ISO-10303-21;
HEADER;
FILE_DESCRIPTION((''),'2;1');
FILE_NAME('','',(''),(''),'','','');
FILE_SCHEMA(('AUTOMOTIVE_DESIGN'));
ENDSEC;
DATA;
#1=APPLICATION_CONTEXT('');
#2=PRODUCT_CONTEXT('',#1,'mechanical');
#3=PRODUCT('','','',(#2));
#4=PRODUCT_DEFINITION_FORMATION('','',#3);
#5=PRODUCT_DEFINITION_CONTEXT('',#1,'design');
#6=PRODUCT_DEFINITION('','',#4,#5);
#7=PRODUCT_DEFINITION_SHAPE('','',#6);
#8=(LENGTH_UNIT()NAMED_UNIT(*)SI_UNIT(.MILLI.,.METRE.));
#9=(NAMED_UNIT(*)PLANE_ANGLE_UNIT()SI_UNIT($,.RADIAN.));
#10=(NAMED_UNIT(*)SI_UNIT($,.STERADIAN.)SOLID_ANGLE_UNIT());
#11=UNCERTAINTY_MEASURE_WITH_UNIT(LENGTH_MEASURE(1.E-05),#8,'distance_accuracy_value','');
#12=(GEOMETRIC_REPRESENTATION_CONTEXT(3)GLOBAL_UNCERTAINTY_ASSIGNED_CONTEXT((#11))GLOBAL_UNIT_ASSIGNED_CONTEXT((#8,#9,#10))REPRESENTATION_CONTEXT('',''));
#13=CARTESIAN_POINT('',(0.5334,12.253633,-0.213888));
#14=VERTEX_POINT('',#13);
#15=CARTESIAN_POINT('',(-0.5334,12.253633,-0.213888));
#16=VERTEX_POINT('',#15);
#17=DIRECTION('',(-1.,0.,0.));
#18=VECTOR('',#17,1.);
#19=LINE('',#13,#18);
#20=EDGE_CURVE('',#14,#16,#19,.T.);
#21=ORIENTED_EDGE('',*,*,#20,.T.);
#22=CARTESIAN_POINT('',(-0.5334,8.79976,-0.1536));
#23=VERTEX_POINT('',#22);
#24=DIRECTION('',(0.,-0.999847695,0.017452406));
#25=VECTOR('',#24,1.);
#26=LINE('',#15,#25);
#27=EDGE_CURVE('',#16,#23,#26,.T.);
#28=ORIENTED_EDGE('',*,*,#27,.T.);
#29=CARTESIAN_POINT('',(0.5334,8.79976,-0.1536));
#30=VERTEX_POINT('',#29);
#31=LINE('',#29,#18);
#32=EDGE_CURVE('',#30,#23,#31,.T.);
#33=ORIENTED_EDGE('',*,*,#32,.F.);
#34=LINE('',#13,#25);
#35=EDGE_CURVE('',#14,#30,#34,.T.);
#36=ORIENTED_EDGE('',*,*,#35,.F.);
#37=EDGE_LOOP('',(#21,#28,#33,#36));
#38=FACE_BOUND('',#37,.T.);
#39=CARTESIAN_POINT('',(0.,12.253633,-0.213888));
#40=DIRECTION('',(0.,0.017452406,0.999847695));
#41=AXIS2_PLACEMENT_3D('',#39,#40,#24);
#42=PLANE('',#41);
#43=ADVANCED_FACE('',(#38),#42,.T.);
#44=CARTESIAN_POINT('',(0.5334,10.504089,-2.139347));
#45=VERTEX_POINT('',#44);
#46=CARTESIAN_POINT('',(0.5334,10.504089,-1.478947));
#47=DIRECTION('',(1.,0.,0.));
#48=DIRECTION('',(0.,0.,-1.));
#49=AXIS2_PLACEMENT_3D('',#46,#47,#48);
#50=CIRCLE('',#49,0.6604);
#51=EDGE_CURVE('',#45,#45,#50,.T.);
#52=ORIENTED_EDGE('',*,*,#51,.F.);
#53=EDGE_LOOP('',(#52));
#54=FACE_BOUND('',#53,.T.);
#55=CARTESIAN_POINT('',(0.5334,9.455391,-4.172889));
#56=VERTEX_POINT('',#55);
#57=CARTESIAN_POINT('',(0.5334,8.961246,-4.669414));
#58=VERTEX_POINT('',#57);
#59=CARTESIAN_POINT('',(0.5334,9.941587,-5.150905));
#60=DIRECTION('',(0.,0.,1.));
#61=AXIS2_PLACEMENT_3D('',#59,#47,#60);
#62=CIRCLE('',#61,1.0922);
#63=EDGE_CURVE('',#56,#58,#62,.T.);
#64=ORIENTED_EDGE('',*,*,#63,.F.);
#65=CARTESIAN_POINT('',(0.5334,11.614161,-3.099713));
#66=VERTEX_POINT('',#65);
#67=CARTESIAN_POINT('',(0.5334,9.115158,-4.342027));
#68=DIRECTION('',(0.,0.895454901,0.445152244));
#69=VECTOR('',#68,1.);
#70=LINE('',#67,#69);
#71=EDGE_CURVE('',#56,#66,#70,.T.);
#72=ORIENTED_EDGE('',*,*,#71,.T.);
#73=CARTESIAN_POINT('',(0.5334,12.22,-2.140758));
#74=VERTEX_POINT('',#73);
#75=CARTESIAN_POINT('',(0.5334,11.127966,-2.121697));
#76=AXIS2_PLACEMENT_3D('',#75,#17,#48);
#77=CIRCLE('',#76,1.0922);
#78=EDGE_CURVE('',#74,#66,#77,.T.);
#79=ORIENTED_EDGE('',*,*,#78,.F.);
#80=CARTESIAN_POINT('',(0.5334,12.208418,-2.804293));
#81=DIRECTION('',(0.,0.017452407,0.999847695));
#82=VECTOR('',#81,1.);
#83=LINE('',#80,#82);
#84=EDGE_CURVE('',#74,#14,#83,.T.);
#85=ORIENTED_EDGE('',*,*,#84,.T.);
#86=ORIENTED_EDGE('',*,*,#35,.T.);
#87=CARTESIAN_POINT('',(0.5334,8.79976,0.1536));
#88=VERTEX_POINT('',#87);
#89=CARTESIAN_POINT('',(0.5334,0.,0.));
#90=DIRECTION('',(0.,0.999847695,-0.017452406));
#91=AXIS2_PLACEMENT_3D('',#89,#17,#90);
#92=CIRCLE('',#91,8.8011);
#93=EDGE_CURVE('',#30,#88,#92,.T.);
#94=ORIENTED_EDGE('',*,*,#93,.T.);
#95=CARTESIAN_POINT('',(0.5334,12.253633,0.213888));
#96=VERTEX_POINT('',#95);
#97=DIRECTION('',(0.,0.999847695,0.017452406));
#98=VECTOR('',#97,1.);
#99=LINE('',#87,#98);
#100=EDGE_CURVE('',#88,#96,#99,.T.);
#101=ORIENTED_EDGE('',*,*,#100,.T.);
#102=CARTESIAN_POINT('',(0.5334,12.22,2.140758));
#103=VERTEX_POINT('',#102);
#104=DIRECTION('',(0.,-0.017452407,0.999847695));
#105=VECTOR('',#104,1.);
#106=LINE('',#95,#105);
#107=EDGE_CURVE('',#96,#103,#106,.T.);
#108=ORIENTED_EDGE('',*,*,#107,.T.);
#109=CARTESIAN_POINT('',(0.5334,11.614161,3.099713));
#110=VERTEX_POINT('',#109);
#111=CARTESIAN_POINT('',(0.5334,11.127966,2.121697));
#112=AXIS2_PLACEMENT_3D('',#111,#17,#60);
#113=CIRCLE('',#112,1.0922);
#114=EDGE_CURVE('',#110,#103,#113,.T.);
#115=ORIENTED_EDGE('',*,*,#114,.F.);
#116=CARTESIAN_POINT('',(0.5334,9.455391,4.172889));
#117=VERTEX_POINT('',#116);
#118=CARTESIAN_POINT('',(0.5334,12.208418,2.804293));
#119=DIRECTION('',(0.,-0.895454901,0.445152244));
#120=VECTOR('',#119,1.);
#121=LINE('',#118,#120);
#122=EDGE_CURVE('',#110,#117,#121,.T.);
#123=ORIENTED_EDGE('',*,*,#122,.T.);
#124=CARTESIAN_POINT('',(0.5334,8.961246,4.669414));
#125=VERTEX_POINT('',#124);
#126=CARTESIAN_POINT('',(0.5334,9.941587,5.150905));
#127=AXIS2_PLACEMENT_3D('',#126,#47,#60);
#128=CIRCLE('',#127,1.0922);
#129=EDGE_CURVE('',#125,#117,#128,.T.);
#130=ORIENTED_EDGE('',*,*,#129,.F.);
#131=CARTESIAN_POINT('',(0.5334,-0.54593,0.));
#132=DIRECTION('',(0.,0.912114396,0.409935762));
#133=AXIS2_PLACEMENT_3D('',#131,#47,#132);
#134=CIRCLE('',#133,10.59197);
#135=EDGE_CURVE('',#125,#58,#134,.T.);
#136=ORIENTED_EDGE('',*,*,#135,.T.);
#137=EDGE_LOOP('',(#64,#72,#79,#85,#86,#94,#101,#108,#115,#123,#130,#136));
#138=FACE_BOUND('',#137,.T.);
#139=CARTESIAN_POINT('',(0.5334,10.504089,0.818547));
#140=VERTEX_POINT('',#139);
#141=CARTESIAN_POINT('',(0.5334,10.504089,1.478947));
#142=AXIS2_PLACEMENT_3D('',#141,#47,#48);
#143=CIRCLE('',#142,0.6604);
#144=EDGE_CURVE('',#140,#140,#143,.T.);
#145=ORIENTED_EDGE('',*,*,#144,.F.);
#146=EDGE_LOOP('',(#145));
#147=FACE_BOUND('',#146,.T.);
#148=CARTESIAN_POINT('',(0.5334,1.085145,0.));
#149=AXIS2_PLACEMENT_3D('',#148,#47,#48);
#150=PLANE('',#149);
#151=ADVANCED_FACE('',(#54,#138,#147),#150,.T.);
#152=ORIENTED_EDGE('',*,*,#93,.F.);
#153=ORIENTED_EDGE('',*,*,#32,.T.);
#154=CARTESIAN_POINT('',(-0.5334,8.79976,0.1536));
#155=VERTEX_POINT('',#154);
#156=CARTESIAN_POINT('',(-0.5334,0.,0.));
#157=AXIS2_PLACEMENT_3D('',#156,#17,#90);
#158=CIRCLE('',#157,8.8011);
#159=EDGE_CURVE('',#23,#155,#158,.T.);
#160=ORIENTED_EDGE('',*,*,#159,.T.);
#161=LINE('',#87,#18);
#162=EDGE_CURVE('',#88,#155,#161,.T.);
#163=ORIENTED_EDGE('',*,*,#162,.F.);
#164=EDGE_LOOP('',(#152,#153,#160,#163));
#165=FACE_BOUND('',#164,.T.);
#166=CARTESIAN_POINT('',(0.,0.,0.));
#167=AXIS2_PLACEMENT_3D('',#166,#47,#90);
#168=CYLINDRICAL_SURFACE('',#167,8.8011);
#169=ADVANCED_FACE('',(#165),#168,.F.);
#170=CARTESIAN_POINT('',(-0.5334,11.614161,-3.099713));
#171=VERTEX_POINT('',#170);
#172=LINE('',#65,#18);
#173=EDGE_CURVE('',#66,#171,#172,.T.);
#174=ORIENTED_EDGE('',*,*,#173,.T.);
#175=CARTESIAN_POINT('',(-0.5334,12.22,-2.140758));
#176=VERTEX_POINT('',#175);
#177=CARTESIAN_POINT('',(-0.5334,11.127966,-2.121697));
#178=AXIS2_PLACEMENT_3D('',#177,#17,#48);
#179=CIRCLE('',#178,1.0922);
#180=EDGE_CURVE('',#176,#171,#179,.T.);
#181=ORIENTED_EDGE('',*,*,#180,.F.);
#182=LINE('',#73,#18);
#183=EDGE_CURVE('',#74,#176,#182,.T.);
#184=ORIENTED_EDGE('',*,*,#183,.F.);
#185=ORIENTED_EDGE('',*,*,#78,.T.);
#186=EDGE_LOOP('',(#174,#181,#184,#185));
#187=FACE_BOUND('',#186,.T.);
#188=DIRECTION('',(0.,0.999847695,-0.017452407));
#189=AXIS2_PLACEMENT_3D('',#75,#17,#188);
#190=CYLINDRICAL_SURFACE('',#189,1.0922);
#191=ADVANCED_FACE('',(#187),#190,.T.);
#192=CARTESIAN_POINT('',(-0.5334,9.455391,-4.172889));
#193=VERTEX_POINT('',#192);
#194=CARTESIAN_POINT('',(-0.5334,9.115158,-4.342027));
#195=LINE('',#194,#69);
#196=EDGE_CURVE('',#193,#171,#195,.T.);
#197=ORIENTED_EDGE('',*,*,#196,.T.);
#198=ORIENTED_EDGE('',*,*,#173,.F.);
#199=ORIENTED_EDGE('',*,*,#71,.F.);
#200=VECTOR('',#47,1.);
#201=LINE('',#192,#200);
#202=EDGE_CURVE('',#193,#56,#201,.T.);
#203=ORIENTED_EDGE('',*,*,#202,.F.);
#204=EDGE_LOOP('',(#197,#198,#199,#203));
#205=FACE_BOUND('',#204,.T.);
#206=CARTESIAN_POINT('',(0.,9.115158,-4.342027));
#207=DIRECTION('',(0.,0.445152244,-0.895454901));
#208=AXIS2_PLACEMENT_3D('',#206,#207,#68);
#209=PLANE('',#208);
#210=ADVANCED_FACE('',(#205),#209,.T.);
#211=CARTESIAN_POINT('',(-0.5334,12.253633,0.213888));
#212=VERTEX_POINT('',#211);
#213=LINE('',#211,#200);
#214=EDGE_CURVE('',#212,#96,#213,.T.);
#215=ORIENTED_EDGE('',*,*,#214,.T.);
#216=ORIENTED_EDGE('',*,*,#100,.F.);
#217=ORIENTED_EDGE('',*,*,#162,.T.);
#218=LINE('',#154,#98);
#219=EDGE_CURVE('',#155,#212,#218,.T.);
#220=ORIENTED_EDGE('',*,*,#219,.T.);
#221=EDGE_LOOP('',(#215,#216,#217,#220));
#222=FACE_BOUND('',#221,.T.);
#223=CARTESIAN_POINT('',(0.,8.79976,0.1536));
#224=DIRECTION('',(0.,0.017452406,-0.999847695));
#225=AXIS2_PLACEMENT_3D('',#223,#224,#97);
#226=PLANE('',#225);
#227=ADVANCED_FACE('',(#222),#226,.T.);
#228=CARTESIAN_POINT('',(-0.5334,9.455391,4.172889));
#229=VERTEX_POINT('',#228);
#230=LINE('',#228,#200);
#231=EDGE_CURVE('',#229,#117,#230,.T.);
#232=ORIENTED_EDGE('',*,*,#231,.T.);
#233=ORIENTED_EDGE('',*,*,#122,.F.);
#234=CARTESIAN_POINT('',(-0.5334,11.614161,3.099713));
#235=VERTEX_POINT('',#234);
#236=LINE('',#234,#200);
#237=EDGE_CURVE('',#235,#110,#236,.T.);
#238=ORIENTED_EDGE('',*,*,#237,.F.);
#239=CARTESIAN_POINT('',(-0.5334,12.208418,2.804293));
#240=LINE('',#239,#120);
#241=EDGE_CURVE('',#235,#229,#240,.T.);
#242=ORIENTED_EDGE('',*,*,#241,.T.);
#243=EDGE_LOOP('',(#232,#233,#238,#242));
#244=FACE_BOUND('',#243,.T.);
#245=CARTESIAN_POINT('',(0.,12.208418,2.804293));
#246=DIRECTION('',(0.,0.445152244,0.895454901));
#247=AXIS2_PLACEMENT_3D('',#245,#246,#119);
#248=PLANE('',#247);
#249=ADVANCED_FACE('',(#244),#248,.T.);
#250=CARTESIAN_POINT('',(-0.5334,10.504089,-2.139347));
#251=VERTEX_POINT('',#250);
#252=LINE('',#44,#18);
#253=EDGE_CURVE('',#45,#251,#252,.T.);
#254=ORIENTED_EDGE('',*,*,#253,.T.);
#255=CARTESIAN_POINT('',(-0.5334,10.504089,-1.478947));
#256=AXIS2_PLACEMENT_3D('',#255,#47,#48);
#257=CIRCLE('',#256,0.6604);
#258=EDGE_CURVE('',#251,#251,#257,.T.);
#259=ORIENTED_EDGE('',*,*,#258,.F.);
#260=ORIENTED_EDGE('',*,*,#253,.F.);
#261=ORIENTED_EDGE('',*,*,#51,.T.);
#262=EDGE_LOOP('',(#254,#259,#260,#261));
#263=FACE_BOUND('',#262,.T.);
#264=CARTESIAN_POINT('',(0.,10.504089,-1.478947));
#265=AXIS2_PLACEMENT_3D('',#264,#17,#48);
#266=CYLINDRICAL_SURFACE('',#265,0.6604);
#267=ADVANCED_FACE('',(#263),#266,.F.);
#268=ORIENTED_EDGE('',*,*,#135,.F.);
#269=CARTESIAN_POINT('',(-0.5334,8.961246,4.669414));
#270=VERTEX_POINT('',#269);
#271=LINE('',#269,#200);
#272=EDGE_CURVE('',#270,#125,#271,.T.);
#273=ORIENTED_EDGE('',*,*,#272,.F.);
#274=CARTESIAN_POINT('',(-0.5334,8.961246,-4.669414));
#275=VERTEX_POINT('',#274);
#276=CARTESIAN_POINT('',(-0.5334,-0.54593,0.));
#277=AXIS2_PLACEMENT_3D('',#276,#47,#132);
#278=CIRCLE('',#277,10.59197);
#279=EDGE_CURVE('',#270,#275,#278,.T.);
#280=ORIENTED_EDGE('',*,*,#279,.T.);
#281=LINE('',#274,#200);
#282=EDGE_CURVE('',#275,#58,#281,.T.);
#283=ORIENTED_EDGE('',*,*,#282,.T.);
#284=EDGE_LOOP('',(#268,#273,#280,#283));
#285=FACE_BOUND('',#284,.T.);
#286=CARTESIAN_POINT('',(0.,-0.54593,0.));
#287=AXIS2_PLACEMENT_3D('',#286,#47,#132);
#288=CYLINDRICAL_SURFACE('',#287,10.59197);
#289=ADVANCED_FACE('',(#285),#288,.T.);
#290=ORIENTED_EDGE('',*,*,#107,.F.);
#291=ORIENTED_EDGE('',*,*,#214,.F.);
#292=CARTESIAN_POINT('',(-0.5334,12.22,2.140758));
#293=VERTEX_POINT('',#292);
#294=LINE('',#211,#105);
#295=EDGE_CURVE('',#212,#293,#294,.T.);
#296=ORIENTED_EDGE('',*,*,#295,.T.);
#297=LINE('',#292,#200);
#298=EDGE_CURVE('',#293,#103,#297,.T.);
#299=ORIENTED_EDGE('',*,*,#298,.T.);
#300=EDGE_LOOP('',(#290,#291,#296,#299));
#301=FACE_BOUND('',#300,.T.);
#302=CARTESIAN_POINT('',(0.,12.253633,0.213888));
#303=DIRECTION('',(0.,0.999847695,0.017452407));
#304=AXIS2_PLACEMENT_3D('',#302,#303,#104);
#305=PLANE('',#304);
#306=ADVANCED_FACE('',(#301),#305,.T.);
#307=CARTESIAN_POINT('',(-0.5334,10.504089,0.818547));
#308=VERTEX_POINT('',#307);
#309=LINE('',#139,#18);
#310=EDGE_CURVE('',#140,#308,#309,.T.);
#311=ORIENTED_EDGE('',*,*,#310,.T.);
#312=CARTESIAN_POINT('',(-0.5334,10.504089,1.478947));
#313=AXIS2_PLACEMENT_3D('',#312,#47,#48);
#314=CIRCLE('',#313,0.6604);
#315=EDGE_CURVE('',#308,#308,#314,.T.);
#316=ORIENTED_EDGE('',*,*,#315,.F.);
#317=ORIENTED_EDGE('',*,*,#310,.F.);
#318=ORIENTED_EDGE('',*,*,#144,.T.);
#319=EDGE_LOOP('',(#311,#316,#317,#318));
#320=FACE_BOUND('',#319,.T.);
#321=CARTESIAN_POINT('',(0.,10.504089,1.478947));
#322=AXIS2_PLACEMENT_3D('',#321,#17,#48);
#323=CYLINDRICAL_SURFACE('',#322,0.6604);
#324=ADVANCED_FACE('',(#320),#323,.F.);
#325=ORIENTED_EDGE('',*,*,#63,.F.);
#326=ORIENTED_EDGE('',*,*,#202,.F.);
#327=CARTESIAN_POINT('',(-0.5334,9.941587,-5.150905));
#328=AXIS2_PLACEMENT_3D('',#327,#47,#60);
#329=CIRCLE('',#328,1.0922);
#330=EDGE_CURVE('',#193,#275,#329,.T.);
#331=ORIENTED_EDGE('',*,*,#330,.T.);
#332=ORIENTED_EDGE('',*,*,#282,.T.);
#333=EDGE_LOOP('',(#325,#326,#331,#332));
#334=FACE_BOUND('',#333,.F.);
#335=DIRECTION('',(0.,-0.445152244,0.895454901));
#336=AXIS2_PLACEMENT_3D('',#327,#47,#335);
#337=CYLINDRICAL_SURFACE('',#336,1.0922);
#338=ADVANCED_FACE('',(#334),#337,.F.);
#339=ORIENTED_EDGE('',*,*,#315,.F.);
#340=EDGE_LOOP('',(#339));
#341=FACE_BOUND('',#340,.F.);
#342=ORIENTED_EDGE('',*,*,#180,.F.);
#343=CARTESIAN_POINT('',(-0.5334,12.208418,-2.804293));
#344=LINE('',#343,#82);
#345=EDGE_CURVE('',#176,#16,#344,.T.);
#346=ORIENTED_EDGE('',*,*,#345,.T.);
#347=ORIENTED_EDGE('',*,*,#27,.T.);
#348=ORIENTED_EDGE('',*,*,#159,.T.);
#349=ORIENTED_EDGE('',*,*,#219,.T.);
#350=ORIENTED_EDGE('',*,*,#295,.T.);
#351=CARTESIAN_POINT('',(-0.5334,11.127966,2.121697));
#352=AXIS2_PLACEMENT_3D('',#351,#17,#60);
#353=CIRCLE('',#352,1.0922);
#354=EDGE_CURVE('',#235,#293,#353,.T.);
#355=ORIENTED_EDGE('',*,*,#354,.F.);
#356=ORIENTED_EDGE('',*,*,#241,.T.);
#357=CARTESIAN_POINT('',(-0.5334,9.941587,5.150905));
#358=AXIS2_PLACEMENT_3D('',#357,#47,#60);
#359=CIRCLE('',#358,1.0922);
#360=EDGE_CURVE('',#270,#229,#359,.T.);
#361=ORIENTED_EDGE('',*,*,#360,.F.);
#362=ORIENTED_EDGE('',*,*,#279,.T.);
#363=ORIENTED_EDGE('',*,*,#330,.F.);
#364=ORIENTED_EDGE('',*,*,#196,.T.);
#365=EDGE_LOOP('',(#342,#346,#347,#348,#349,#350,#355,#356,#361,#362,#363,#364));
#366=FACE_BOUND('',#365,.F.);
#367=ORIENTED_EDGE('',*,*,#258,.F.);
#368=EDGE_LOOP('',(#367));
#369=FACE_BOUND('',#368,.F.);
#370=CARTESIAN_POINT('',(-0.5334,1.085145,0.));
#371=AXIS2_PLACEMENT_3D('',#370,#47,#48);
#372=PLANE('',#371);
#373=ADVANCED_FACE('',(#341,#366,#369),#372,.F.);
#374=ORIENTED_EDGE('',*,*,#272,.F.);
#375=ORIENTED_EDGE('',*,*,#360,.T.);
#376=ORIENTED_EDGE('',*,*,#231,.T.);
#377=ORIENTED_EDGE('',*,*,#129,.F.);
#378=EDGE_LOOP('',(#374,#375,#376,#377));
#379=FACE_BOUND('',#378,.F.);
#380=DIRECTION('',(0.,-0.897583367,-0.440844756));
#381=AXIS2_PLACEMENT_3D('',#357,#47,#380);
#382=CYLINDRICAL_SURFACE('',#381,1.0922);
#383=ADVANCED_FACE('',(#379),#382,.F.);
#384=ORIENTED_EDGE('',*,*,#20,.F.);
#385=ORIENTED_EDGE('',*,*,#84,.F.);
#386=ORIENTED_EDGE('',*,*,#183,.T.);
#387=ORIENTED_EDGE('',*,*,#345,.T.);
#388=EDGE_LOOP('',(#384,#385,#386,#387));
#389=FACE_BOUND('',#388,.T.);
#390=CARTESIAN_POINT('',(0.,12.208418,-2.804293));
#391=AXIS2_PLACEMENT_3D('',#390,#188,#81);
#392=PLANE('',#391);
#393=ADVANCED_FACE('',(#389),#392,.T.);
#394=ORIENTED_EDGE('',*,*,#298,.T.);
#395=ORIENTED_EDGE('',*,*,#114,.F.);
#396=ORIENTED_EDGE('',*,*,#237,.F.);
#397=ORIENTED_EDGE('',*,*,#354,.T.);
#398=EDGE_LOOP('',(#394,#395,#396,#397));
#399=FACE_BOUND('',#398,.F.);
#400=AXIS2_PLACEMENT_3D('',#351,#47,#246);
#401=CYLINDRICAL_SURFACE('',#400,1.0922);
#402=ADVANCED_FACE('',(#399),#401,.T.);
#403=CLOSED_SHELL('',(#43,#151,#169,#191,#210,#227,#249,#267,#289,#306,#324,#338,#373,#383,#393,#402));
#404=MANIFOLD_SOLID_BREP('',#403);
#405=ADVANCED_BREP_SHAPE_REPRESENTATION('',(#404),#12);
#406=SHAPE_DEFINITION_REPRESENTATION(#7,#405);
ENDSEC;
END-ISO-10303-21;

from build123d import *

# Parameters (mm, degrees)
SKETCH1_R      = 0.6604
EXTRUDE1_DEPTH = 0.5334
FILLET1_R      = 1.0922


with BuildPart() as part:
    # Sketch1 → Extrude1 (new body, symmetric)
    with BuildSketch(Plane(origin=(0, 0, 0), x_dir=(0, 0, -1), z_dir=(1, 0, 0))):
        with BuildLine():
            Line((-0.153600374, 8.79975955), (-0.213887967, 12.253633428))
            Line((-0.213887967, 12.253633428), (-2.804293376, 12.208417733))
            Line((-2.804293376, 12.208417733), (-4.342027289, 9.115158324))
            ThreePointArc((-4.342027289, 9.115158324), (0, -11.1379), (4.342027289, 9.115158324))
            Line((4.342027289, 9.115158324), (2.804293376, 12.208417733))
            Line((2.804293376, 12.208417733), (0.213887967, 12.253633428))
            Line((0.213887967, 12.253633428), (0.153600374, 8.79975955))
            ThreePointArc((0.153600374, 8.79975955), (0, -8.8011), (-0.153600374, 8.79975955))
        make_face()
        with Locations((-1.478946875, 10.504088642)):
            Circle(SKETCH1_R, mode=Mode.SUBTRACT)
        with Locations((1.478946875, 10.504088642)):
            Circle(SKETCH1_R, mode=Mode.SUBTRACT)
    extrude(amount=EXTRUDE1_DEPTH, both=True)

    # Fillet1
    fillet1_edges = [part.edges().sort_by_distance(p)[0] for p in [
        (0, 12.208417733, -2.804293376),
        (0, 9.115158324, -4.342027289),
        (0, 9.115158324, 4.342027289),
        (0, 12.208417733, 2.804293376),
    ]]
    fillet(fillet1_edges, radius=FILLET1_R)


solid = part.part
